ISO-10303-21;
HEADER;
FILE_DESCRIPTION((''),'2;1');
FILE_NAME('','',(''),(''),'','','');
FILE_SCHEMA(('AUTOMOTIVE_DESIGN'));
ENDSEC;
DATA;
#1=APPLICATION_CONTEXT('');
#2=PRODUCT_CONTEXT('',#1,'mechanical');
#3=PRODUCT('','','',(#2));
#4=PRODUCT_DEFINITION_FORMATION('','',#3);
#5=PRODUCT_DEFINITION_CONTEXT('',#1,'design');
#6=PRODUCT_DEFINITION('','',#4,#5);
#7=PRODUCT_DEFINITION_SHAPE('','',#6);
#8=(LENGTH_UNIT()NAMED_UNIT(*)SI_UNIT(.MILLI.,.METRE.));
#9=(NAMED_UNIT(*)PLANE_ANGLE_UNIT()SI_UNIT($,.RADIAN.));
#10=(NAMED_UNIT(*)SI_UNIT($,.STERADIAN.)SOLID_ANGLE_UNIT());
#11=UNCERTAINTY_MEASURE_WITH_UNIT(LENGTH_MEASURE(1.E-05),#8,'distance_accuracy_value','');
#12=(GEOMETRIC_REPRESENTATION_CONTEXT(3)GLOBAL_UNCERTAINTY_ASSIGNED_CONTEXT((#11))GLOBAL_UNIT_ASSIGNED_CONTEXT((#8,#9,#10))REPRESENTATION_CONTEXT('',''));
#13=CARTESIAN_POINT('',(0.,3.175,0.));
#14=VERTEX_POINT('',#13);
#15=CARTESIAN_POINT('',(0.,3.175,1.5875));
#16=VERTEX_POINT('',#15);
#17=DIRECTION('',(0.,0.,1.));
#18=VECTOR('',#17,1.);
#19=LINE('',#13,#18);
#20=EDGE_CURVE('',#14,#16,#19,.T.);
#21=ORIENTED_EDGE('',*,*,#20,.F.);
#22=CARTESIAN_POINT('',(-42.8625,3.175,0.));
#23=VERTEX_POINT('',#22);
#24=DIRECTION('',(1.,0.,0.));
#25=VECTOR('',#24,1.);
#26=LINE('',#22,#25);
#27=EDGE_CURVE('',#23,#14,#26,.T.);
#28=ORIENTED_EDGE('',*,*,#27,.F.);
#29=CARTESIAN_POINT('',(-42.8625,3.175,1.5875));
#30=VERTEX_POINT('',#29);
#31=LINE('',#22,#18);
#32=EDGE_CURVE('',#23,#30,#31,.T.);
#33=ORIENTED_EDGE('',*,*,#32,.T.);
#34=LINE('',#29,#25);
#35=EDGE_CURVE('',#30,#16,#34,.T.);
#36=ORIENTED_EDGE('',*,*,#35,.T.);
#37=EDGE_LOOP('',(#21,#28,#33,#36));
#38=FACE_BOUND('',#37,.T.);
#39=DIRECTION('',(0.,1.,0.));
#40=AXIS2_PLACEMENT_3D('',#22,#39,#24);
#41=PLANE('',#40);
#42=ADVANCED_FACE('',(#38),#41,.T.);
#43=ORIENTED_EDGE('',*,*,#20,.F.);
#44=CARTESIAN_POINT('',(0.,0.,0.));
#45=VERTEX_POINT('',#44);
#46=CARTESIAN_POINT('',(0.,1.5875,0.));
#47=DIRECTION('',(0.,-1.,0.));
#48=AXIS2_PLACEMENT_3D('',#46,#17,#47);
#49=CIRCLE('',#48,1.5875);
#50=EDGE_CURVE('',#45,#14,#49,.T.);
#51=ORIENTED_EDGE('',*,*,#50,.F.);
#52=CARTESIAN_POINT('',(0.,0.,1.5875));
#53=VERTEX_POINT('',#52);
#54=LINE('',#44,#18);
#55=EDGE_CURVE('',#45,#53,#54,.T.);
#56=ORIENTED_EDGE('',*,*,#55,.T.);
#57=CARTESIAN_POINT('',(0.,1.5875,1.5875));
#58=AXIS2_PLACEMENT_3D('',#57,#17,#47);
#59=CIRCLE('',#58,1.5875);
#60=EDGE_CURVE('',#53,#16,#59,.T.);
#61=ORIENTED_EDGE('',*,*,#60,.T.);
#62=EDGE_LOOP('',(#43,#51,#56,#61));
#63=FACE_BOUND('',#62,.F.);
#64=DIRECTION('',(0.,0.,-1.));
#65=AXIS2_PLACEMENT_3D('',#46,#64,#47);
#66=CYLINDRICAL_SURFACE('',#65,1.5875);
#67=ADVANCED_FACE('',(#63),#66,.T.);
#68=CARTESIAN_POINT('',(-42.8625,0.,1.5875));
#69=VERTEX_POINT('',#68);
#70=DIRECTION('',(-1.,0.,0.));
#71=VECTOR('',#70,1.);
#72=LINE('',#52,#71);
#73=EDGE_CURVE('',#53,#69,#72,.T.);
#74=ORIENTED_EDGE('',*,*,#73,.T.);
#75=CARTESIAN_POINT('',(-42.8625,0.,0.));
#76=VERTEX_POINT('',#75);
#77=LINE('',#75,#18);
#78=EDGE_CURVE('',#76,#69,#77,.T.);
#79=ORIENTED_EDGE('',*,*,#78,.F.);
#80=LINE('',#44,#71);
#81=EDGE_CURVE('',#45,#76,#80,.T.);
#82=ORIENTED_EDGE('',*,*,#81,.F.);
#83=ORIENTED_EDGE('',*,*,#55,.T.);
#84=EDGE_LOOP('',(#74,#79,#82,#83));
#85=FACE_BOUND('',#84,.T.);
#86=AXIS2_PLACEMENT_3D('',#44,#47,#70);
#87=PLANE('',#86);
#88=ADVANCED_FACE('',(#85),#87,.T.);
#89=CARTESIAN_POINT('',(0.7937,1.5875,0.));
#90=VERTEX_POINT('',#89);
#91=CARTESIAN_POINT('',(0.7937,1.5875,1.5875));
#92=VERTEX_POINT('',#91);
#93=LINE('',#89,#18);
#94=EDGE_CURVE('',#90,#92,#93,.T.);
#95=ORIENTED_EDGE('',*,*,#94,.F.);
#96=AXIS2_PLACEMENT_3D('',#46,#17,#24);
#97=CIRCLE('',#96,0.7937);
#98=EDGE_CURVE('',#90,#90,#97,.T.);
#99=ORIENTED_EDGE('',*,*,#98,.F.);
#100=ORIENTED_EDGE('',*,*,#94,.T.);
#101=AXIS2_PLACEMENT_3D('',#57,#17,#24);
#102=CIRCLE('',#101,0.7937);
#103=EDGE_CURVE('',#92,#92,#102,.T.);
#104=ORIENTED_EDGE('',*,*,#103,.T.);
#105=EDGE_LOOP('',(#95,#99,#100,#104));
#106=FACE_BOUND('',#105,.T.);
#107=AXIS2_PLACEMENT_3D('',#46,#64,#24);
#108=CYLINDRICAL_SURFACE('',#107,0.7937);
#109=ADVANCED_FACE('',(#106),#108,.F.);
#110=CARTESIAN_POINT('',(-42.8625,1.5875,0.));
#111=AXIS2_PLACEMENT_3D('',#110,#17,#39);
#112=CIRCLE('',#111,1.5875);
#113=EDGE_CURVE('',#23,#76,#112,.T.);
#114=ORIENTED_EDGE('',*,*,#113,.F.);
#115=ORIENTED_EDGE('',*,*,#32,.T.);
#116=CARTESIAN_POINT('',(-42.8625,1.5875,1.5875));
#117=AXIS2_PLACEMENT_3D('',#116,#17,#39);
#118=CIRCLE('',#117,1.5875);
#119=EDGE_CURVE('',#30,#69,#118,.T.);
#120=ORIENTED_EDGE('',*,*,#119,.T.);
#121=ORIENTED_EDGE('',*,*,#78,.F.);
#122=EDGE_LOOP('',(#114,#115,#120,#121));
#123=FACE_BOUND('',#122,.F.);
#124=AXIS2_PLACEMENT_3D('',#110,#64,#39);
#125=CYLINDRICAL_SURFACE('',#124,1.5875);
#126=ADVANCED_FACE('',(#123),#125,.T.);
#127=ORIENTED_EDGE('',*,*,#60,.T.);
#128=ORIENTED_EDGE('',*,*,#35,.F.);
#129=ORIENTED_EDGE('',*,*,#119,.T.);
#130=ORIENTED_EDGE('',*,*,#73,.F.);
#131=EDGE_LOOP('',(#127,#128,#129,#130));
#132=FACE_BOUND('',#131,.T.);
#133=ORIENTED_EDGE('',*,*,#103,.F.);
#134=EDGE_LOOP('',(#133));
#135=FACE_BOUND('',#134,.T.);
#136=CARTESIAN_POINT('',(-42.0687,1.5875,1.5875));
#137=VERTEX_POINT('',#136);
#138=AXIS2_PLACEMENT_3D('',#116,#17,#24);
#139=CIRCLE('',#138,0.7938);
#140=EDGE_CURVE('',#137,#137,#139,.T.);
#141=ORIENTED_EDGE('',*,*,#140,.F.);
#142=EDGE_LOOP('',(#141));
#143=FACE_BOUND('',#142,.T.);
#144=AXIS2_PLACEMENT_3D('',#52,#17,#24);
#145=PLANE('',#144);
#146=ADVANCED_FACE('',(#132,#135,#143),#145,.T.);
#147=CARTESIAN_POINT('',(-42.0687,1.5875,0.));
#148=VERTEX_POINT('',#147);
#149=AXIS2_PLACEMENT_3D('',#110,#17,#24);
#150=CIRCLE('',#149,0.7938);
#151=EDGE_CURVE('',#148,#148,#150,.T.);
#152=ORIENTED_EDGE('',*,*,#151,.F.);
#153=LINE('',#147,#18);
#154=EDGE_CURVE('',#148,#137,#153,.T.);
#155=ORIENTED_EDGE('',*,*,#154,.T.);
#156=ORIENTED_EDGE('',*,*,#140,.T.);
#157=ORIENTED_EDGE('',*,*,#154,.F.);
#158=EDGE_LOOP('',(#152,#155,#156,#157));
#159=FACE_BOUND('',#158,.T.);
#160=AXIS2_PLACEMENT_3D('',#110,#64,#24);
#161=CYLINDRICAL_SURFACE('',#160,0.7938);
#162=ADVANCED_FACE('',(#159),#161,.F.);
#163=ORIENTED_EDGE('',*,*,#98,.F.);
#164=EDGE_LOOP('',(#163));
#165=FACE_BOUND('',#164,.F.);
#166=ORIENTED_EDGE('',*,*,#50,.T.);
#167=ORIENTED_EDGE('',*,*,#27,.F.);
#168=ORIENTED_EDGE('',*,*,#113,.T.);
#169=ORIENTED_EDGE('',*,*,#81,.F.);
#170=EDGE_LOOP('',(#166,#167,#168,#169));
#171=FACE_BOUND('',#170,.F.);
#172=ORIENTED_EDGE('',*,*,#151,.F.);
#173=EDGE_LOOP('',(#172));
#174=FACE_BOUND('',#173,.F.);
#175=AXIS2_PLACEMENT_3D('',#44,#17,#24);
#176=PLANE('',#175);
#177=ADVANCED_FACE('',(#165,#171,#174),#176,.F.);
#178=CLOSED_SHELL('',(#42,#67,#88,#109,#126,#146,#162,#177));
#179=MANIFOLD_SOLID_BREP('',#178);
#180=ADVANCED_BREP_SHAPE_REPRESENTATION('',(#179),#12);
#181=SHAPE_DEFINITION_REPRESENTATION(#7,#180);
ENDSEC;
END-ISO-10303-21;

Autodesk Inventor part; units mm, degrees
ref_plane "YZ Plane" through (0, 0, 0) normal (1, 0, 0) x (0, 1, 0)
ref_plane "XZ Plane" through (0, 0, 0) normal (0, 1, 0) x (-1, 0, 0)
ref_plane "XY Plane" through (0, 0, 0) normal (0, 0, 1) x (1, 0, 0)
sketch "Boceto1" plane through (0, 0, 0) normal (0, 0, 1) x (1, 0, 0)
  line L0 (0, 0) -> (-42.8625, 0)
  line L1 (-42.8625, 3.175) -> (0, 3.175)
  arc A0 (-42.8625, 3.175) -> (-42.8625, 0) centre (-42.8625, 1.5875) ccw
  arc A1 (0, 0) -> (0, 3.175) centre (0, 1.5875) ccw
  circle A2 centre (-42.8625, 1.5875) radius 0.7938
  circle A3 centre (0, 1.5875) radius 0.7937
  dimension "d0" = 42.8625
  dimension "d5" = 3.175
  dimension "d6" = 3.175
  dimension "d7" = 1.5875
  dimension "d8" = 1.5875
extrude "Extrusión1" add sketch "Boceto1" along normal blind 1.5875
properties part number "Link" material "Latón, amarillo claro"
